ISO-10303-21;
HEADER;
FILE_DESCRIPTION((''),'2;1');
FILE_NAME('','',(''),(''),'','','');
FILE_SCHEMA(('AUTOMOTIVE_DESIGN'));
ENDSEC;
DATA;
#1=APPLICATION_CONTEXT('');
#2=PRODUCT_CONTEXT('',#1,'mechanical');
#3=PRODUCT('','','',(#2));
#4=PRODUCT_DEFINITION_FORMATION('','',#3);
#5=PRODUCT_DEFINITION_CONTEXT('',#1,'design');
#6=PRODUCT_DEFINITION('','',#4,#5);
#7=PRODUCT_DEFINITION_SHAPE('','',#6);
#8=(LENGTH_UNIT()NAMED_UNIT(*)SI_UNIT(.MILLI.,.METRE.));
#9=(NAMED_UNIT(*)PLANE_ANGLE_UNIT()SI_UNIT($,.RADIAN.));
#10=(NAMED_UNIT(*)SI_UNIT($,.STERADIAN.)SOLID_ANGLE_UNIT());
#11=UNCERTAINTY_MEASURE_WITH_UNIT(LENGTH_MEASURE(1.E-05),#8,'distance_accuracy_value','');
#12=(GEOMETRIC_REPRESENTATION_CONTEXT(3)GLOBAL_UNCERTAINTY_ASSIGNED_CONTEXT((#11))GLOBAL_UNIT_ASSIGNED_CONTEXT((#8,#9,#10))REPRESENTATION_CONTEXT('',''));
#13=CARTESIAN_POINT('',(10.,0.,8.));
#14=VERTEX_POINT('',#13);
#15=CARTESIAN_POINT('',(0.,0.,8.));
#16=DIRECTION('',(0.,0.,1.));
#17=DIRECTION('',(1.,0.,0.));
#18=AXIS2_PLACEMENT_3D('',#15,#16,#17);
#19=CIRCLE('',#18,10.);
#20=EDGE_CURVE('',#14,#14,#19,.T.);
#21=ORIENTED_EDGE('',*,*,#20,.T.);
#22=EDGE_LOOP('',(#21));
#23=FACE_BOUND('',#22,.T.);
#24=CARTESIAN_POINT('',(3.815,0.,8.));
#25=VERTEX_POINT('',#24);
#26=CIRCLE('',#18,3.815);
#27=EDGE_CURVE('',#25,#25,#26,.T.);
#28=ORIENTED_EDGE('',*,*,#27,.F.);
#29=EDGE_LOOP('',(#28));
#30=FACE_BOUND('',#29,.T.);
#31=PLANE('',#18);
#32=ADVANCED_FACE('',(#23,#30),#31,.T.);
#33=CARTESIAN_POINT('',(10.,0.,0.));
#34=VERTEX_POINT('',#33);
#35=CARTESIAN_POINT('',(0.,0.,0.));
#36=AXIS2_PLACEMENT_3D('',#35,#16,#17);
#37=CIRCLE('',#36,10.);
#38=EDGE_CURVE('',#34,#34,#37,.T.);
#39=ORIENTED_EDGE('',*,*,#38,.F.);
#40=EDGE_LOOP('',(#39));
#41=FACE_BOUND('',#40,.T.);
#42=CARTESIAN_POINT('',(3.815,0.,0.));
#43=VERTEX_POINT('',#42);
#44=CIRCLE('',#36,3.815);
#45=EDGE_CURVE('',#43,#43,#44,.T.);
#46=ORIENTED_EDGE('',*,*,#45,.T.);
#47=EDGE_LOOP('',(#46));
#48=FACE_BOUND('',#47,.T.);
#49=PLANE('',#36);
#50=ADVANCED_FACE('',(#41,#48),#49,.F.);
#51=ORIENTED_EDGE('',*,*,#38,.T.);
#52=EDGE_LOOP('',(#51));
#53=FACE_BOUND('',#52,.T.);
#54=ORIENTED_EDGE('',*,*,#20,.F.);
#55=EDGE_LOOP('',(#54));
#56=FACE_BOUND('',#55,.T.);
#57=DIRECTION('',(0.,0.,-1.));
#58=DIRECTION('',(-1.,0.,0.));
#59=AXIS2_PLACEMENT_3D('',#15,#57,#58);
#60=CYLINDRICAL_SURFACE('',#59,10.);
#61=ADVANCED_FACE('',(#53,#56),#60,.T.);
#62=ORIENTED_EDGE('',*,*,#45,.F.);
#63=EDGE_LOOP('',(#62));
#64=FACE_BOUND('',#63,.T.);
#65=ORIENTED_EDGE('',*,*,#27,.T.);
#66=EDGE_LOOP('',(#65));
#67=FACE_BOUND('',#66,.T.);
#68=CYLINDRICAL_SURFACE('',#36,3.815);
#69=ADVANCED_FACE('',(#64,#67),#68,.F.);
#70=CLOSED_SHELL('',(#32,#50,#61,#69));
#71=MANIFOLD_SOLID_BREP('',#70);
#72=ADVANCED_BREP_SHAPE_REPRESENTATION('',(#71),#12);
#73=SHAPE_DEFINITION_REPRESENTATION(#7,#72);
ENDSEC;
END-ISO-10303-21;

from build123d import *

# Parameters (mm, degrees)
ESBO_O1_R                = 10
RESSALTO_EXTRUS_O1_DEPTH = 8
ESBO_O2_R                = 3.815
CORTE_EXTRUS_O1_DEPTH    = 17.248076809


with BuildPart() as part:
    # Esboço1 → Ressalto-extrusão1 (new body)
    with BuildSketch(Plane.XY):
        Circle(ESBO_O1_R)
    extrude(amount=RESSALTO_EXTRUS_O1_DEPTH)

    # Esboço2 → Corte-extrusão1 (cut, through all)
    with BuildSketch(Plane.XY.offset(8)):
        Circle(ESBO_O2_R)
    extrude(amount=-CORTE_EXTRUS_O1_DEPTH, mode=Mode.SUBTRACT)


solid = part.part
